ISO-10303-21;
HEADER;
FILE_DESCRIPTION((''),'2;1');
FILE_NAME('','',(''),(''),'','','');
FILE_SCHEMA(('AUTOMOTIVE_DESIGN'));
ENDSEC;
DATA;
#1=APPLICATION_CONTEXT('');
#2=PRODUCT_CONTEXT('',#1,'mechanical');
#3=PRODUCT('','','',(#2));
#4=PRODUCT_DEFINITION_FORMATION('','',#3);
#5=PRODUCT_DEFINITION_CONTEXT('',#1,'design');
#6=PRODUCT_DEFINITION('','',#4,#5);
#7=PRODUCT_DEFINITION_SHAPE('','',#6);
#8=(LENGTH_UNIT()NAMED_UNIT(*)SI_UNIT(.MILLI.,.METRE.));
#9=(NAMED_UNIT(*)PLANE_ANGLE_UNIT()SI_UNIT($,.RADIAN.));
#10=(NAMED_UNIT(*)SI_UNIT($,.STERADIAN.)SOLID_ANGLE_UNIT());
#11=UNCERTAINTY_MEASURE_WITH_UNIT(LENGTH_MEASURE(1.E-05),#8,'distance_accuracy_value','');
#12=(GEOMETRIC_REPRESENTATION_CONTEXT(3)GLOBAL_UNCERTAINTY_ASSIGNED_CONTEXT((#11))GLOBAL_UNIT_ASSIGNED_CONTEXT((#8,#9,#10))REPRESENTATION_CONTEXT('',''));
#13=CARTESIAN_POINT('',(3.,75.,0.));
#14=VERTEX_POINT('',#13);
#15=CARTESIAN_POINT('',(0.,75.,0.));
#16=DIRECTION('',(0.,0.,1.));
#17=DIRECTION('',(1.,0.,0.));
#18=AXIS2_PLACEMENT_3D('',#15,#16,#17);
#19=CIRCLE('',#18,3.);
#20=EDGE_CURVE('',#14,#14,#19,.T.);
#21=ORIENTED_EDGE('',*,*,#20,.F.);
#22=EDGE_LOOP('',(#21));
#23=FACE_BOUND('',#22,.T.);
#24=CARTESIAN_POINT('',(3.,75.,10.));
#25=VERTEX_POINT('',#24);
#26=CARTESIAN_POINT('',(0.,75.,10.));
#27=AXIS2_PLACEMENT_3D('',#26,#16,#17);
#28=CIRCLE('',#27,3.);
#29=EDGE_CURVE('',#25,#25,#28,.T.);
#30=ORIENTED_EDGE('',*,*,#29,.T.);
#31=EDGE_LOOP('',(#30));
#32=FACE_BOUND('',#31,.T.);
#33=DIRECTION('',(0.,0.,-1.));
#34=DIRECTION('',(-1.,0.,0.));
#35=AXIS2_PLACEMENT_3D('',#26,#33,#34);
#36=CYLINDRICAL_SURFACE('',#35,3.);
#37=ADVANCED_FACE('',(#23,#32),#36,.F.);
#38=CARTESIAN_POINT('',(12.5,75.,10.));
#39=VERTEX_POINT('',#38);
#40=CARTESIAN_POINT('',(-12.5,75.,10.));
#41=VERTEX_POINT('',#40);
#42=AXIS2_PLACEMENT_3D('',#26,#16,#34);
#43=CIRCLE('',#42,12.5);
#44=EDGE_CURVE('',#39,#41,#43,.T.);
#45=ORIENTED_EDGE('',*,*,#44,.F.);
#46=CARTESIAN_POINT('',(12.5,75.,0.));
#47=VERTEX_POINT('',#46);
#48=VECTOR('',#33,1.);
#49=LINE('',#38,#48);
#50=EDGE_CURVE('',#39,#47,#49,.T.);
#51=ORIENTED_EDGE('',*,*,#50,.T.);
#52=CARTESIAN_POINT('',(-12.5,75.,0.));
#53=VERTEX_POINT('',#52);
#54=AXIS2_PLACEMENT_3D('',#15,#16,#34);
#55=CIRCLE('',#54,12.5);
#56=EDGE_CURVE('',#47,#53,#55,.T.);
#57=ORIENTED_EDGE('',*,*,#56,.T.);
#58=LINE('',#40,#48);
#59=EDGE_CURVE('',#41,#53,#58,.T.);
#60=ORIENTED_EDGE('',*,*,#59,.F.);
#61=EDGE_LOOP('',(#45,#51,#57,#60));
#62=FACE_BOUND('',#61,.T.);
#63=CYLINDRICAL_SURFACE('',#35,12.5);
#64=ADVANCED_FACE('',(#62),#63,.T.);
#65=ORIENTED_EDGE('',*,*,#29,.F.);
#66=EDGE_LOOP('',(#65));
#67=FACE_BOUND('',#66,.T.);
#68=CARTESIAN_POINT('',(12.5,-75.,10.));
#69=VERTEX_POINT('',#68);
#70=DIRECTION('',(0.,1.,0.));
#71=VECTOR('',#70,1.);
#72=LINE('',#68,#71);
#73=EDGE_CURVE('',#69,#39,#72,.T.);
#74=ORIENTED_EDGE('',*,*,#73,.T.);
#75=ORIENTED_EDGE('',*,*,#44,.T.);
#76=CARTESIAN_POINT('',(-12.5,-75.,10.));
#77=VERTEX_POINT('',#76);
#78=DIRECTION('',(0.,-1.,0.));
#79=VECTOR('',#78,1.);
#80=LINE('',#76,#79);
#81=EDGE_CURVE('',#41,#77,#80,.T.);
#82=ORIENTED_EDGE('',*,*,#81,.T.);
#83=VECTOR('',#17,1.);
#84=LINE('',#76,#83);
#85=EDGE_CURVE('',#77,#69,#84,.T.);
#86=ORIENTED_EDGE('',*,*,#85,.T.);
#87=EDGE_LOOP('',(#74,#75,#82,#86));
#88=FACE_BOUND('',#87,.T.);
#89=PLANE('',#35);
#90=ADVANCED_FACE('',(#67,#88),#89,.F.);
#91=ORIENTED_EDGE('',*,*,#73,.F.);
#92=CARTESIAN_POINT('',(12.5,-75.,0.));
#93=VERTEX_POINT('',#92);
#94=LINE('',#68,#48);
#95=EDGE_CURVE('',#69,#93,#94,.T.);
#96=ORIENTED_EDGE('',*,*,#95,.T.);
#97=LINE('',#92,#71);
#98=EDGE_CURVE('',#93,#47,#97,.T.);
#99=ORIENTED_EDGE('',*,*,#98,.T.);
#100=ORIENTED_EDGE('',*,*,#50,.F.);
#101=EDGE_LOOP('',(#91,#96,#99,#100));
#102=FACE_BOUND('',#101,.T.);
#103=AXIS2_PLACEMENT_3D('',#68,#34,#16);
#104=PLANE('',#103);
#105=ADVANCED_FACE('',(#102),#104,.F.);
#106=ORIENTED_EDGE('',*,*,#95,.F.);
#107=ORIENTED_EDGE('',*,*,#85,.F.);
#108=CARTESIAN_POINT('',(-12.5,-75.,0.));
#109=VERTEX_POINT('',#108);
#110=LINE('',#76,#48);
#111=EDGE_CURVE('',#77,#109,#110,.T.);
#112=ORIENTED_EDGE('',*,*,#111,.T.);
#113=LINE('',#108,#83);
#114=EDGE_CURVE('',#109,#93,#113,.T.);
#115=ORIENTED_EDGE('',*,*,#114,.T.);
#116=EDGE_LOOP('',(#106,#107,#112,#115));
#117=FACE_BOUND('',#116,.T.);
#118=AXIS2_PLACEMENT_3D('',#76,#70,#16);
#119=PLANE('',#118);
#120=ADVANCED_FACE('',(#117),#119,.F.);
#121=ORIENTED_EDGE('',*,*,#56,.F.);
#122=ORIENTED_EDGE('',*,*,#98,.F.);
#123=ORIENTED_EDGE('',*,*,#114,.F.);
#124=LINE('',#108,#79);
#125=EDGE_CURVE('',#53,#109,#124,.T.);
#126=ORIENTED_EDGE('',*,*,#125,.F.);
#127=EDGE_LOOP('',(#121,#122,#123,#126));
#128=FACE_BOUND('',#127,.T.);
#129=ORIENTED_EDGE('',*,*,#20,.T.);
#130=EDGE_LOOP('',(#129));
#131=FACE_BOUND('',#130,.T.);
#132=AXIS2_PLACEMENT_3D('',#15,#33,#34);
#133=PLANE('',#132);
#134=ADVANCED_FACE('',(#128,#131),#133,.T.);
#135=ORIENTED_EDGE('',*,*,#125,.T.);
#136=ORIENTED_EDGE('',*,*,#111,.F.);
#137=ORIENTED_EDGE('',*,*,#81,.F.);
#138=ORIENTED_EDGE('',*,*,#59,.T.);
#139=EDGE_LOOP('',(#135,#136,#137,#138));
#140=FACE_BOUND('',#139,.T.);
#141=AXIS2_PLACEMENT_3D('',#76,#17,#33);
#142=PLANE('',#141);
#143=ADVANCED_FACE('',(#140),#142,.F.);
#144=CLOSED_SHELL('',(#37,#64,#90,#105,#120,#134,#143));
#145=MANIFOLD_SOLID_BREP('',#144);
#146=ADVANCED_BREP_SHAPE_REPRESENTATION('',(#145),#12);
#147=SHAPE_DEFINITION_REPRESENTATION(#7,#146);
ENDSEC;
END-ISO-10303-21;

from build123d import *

# Parameters (mm, degrees)
SKETCH1_R           = 3
BOSS_EXTRUDE1_DEPTH = 10


with BuildPart() as part:
    # Sketch1 → Boss-Extrude1 (new body)
    with BuildSketch(Plane.XY):
        with BuildLine():
            Line((-12.5, -75), (12.5, -75))
            Line((12.5, -75), (12.5, 75))
            ThreePointArc((12.5, 75), (0, 87.5), (-12.5, 75))
            Line((-12.5, 75), (-12.5, -75))
        make_face()
        with Locations((0, 75)):
            Circle(SKETCH1_R, mode=Mode.SUBTRACT)
    extrude(amount=BOSS_EXTRUDE1_DEPTH)


solid = part.part
